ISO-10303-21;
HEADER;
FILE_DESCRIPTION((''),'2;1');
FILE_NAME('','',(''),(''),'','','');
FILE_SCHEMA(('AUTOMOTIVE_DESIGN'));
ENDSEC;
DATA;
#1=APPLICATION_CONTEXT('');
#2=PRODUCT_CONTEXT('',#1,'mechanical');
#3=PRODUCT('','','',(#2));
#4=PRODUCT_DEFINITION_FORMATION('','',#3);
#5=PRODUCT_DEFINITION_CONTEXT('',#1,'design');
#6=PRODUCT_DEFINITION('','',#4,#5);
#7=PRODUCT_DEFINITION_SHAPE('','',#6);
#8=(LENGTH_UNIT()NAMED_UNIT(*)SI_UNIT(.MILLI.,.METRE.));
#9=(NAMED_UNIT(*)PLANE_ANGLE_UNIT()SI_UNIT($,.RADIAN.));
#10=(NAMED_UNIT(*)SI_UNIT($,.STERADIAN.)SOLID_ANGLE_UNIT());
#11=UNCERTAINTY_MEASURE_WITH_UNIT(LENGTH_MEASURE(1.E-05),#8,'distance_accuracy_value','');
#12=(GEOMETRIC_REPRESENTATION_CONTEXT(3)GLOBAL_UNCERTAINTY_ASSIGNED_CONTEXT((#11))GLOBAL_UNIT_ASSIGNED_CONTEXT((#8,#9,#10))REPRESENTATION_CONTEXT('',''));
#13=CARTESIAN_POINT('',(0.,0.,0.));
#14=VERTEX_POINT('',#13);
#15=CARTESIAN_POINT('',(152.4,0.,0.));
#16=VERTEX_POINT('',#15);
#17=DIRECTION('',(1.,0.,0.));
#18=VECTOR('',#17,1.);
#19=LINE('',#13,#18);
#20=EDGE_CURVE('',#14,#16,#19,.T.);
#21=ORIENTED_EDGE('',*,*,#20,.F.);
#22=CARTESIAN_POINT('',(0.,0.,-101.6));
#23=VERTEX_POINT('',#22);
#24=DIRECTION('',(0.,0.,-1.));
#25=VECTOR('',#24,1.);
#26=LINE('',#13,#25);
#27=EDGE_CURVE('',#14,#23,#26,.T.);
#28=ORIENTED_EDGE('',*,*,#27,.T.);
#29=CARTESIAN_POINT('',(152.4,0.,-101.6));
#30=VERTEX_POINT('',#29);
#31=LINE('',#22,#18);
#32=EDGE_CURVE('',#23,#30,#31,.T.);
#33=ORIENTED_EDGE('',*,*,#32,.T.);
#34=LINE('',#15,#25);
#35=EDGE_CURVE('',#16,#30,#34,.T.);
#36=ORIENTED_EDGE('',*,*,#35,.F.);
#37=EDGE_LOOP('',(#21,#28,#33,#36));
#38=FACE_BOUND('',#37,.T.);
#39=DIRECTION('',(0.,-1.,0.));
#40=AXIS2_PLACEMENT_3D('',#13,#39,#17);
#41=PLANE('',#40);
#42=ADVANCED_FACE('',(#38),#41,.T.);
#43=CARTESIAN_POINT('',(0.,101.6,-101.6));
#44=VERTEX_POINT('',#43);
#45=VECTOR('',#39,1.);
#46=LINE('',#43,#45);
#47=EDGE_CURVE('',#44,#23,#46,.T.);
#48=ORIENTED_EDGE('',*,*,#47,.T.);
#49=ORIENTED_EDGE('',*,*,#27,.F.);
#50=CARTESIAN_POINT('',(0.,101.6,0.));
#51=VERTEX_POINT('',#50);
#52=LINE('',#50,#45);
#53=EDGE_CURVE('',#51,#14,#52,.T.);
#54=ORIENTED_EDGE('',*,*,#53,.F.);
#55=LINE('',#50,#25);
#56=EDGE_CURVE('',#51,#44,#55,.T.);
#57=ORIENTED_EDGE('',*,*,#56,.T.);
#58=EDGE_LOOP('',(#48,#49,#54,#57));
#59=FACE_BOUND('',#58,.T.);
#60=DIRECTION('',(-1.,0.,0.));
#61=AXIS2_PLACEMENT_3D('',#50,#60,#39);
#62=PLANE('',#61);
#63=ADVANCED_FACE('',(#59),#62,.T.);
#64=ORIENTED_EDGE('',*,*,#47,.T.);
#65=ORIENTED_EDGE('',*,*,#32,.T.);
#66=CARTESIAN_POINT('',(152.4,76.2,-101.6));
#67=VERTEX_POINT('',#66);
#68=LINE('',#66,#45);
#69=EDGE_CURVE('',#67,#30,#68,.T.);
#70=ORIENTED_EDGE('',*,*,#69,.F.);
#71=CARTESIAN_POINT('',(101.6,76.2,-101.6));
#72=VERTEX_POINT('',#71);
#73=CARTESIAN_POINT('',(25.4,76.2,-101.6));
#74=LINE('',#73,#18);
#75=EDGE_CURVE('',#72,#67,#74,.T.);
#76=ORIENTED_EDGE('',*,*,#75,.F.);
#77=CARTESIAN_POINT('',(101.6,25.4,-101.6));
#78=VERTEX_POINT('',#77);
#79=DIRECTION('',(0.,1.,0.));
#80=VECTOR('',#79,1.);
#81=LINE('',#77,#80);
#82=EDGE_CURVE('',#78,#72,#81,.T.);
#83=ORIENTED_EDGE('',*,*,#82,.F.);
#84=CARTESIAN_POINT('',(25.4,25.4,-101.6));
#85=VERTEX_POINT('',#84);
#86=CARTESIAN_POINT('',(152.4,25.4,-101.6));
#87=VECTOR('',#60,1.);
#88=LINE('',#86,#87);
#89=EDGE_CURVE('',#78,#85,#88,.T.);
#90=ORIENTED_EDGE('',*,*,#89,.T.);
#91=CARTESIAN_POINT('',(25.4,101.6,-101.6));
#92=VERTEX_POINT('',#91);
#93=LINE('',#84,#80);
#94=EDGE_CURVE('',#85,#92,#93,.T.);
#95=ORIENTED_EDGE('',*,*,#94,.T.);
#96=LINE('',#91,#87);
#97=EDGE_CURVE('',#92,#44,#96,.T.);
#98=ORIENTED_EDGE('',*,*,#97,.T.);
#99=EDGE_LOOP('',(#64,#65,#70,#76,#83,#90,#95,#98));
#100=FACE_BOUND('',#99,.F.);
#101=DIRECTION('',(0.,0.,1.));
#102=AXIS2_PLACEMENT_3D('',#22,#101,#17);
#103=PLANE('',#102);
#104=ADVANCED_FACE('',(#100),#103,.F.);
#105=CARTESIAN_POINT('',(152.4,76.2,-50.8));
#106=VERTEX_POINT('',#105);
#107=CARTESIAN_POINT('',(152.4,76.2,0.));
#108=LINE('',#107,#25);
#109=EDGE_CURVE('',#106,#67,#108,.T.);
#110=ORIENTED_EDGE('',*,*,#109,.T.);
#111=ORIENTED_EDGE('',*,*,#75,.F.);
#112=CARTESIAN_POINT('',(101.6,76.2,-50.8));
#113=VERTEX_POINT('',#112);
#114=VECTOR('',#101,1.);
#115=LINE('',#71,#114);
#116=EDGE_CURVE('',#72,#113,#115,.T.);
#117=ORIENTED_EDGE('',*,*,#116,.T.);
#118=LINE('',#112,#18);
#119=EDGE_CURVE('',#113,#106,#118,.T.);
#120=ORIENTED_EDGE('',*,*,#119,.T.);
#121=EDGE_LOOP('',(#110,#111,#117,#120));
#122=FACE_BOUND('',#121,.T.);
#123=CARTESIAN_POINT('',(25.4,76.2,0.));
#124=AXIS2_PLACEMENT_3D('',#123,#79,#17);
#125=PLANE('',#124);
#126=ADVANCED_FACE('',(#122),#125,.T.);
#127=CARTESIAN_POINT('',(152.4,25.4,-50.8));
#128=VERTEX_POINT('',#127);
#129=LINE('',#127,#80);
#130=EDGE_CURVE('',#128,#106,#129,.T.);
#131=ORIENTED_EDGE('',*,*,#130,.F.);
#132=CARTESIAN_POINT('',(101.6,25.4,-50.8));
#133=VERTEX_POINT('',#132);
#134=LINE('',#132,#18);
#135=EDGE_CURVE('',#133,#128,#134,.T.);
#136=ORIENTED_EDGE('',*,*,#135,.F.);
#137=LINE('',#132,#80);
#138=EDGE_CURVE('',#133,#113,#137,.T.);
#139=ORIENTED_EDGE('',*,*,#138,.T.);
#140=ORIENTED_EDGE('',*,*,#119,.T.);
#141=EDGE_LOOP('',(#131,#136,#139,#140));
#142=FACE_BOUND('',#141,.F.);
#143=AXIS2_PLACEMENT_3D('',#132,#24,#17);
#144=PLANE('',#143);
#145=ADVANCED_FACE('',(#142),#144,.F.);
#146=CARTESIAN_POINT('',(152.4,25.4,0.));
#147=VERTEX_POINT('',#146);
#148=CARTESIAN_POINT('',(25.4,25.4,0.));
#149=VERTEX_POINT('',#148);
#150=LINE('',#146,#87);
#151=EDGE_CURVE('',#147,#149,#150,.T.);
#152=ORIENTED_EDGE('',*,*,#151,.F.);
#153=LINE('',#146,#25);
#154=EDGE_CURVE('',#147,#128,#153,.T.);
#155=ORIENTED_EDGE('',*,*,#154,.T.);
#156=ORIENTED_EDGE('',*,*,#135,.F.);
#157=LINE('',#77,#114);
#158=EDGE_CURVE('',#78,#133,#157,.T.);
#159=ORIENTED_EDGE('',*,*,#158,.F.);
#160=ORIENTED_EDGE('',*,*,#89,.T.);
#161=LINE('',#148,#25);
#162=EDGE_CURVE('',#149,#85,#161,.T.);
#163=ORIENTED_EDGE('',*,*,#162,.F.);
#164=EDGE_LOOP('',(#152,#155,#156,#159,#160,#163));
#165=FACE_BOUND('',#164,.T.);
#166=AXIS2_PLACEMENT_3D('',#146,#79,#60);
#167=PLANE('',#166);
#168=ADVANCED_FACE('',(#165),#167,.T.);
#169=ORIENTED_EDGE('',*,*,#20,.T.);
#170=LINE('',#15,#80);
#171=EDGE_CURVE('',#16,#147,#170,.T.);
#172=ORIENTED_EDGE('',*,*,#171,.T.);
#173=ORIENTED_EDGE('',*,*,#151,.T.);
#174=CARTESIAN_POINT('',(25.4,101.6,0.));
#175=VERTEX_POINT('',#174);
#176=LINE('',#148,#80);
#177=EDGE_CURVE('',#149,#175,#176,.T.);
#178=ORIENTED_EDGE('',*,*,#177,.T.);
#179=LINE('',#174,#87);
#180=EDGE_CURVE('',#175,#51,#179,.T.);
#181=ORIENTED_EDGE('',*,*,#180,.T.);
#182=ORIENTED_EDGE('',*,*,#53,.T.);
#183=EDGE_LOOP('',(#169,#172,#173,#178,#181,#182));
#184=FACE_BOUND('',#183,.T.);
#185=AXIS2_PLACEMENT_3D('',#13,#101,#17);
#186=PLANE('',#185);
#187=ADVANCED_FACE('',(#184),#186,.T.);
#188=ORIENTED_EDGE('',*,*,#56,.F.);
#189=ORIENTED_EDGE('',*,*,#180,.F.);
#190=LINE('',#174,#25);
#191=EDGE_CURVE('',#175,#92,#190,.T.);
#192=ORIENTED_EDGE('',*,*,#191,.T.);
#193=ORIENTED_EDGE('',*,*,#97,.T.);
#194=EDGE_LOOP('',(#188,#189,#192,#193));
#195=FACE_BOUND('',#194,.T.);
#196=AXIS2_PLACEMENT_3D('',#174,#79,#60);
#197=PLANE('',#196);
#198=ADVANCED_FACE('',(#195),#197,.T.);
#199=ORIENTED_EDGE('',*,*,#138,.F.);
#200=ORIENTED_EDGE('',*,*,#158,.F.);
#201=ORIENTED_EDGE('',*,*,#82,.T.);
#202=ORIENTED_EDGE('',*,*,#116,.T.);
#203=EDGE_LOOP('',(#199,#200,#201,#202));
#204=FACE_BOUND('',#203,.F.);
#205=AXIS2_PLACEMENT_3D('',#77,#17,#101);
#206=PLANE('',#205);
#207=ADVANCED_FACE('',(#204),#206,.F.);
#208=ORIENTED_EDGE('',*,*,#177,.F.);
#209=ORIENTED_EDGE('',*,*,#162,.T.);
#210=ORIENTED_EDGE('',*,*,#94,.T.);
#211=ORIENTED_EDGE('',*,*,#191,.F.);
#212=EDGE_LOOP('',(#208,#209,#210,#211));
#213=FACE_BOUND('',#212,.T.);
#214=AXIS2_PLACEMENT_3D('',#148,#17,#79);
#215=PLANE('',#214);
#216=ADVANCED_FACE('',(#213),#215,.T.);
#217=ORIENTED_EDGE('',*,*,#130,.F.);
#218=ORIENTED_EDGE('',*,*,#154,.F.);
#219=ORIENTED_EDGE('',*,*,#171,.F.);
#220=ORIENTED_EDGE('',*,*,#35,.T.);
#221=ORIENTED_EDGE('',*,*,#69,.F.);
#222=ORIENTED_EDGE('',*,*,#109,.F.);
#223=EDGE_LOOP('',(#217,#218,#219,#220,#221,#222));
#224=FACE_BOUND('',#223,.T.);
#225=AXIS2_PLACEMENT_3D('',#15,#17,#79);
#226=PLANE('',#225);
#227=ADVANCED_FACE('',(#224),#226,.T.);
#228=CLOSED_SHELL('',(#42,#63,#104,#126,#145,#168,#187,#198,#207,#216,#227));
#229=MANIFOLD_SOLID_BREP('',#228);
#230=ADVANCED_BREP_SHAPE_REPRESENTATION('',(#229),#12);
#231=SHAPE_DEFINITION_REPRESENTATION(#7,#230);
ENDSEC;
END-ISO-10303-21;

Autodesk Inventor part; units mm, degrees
ref_plane "YZ Plane" through (0, 0, 0) normal (1, 0, 0) x (0, 1, 0)
ref_plane "XZ Plane" through (0, 0, 0) normal (0, 1, 0) x (-1, 0, 0)
ref_plane "XY Plane" through (0, 0, 0) normal (0, 0, 1) x (1, 0, 0)
sketch "Sketch1" plane through (0, 0, 0) normal (0, 0, 1) x (1, 0, 0)
  line L0 (0, 101.6) -> (0, 0)
  line L1 (0, 0) -> (152.4, 0)
  line L2 (152.4, 0) -> (152.4, 25.4)
  line L3 (152.4, 25.4) -> (25.4, 25.4)
  line L4 (25.4, 25.4) -> (25.4, 101.6)
  line L5 (25.4, 101.6) -> (0, 101.6)
  dimension "d0" = 76.2
  dimension "d1" = 152.4
  dimension "d2" = 25.4
extrude "Extrusion1" add sketch "Sketch1" against normal blind 101.6
sketch "Sketch2" plane through (25.4, 25.4, 0) normal (0, 1, 0) x (1, 0, 0)
  line L0 (0, 101.6) -> (127, 101.6) projected
  line L1 (127, 0) -> (127, 101.6) projected
  line L2 (76.2, 101.6) -> (76.2, 50.8)
  line L3 (76.2, 50.8) -> (127, 50.8)
  point P0 (-25.4, 0)
  dimension "d5" = 50.8
  dimension "d6" = 50.8
extrude "Extrusion2" add sketch "Sketch2" along normal blind 50.8
properties part number "placed_features2"
